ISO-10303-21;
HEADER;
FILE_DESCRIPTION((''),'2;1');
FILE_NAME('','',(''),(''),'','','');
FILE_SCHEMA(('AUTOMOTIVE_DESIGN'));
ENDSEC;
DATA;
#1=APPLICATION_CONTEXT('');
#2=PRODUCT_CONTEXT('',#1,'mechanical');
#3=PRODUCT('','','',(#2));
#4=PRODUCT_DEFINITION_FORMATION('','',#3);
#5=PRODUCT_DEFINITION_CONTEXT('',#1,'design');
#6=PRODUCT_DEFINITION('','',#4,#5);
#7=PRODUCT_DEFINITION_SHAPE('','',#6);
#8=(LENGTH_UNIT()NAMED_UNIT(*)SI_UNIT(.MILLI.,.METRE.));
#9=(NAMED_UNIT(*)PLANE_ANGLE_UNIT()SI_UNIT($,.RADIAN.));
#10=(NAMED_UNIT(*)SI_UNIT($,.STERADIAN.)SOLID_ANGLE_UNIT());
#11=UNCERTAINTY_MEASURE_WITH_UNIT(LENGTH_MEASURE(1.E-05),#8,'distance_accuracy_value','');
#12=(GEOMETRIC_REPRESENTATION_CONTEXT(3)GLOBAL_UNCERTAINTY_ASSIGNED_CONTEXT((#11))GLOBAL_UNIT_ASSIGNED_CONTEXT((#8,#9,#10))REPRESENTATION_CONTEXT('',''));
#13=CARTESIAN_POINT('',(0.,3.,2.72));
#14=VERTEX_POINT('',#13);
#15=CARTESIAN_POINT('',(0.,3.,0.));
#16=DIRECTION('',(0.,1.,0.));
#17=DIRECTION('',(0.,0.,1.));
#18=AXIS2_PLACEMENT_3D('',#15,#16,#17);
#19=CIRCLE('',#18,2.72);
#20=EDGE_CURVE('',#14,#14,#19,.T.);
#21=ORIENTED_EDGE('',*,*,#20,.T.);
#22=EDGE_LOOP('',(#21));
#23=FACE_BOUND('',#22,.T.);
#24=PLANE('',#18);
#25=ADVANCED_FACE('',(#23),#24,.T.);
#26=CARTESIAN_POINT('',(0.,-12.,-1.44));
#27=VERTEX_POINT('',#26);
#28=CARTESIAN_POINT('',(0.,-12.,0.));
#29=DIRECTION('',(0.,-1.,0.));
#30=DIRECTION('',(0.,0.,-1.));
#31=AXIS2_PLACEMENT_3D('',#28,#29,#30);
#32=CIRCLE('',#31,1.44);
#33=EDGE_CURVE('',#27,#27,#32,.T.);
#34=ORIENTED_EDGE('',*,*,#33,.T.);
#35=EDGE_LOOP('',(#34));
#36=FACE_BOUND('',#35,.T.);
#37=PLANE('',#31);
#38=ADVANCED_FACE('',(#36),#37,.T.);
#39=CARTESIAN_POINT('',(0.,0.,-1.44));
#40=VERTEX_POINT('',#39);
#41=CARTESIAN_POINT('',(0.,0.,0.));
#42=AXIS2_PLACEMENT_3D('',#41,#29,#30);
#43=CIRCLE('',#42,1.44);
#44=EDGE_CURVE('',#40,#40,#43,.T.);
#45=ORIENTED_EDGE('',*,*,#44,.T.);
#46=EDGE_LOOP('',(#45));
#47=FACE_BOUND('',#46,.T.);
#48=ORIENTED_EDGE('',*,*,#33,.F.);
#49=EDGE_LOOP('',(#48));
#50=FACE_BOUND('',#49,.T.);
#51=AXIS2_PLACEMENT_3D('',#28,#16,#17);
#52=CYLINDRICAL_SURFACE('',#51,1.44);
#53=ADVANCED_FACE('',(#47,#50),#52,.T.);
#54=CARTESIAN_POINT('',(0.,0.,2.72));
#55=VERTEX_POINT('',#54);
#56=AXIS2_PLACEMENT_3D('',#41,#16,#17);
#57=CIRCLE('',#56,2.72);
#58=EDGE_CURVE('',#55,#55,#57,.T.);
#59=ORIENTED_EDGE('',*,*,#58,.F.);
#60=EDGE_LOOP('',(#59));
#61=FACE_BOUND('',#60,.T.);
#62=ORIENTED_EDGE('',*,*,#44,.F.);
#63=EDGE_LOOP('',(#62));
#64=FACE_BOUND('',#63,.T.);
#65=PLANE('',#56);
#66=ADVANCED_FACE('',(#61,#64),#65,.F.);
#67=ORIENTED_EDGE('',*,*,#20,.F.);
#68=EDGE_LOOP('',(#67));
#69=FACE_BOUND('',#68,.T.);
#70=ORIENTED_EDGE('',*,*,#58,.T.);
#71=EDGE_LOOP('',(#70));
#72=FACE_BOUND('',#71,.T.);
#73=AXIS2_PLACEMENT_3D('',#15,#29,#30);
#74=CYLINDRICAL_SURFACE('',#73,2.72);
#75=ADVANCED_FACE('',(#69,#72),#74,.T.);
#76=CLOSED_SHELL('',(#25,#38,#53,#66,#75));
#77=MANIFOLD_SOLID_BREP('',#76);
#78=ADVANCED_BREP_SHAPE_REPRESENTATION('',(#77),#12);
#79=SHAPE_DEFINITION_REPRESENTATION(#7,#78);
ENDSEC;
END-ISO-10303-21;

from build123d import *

# Parameters (mm, degrees)
SKETCH1_R           = 2.72
BOSS_EXTRUDE1_DEPTH = 3
SKETCH2_R           = 1.44
BOSS_EXTRUDE2_DEPTH = 12


with BuildPart() as part:
    # Sketch1 → Boss-Extrude1 (new body)
    with BuildSketch(Plane(origin=(0, 0, 0), x_dir=(1, 0, 0), z_dir=(0, 1, 0))):
        Circle(SKETCH1_R)
    extrude(amount=BOSS_EXTRUDE1_DEPTH)

    # Sketch2 → Boss-Extrude2 (add)
    with BuildSketch(Plane.XZ):
        Circle(SKETCH2_R)
    extrude(amount=BOSS_EXTRUDE2_DEPTH)


solid = part.part
